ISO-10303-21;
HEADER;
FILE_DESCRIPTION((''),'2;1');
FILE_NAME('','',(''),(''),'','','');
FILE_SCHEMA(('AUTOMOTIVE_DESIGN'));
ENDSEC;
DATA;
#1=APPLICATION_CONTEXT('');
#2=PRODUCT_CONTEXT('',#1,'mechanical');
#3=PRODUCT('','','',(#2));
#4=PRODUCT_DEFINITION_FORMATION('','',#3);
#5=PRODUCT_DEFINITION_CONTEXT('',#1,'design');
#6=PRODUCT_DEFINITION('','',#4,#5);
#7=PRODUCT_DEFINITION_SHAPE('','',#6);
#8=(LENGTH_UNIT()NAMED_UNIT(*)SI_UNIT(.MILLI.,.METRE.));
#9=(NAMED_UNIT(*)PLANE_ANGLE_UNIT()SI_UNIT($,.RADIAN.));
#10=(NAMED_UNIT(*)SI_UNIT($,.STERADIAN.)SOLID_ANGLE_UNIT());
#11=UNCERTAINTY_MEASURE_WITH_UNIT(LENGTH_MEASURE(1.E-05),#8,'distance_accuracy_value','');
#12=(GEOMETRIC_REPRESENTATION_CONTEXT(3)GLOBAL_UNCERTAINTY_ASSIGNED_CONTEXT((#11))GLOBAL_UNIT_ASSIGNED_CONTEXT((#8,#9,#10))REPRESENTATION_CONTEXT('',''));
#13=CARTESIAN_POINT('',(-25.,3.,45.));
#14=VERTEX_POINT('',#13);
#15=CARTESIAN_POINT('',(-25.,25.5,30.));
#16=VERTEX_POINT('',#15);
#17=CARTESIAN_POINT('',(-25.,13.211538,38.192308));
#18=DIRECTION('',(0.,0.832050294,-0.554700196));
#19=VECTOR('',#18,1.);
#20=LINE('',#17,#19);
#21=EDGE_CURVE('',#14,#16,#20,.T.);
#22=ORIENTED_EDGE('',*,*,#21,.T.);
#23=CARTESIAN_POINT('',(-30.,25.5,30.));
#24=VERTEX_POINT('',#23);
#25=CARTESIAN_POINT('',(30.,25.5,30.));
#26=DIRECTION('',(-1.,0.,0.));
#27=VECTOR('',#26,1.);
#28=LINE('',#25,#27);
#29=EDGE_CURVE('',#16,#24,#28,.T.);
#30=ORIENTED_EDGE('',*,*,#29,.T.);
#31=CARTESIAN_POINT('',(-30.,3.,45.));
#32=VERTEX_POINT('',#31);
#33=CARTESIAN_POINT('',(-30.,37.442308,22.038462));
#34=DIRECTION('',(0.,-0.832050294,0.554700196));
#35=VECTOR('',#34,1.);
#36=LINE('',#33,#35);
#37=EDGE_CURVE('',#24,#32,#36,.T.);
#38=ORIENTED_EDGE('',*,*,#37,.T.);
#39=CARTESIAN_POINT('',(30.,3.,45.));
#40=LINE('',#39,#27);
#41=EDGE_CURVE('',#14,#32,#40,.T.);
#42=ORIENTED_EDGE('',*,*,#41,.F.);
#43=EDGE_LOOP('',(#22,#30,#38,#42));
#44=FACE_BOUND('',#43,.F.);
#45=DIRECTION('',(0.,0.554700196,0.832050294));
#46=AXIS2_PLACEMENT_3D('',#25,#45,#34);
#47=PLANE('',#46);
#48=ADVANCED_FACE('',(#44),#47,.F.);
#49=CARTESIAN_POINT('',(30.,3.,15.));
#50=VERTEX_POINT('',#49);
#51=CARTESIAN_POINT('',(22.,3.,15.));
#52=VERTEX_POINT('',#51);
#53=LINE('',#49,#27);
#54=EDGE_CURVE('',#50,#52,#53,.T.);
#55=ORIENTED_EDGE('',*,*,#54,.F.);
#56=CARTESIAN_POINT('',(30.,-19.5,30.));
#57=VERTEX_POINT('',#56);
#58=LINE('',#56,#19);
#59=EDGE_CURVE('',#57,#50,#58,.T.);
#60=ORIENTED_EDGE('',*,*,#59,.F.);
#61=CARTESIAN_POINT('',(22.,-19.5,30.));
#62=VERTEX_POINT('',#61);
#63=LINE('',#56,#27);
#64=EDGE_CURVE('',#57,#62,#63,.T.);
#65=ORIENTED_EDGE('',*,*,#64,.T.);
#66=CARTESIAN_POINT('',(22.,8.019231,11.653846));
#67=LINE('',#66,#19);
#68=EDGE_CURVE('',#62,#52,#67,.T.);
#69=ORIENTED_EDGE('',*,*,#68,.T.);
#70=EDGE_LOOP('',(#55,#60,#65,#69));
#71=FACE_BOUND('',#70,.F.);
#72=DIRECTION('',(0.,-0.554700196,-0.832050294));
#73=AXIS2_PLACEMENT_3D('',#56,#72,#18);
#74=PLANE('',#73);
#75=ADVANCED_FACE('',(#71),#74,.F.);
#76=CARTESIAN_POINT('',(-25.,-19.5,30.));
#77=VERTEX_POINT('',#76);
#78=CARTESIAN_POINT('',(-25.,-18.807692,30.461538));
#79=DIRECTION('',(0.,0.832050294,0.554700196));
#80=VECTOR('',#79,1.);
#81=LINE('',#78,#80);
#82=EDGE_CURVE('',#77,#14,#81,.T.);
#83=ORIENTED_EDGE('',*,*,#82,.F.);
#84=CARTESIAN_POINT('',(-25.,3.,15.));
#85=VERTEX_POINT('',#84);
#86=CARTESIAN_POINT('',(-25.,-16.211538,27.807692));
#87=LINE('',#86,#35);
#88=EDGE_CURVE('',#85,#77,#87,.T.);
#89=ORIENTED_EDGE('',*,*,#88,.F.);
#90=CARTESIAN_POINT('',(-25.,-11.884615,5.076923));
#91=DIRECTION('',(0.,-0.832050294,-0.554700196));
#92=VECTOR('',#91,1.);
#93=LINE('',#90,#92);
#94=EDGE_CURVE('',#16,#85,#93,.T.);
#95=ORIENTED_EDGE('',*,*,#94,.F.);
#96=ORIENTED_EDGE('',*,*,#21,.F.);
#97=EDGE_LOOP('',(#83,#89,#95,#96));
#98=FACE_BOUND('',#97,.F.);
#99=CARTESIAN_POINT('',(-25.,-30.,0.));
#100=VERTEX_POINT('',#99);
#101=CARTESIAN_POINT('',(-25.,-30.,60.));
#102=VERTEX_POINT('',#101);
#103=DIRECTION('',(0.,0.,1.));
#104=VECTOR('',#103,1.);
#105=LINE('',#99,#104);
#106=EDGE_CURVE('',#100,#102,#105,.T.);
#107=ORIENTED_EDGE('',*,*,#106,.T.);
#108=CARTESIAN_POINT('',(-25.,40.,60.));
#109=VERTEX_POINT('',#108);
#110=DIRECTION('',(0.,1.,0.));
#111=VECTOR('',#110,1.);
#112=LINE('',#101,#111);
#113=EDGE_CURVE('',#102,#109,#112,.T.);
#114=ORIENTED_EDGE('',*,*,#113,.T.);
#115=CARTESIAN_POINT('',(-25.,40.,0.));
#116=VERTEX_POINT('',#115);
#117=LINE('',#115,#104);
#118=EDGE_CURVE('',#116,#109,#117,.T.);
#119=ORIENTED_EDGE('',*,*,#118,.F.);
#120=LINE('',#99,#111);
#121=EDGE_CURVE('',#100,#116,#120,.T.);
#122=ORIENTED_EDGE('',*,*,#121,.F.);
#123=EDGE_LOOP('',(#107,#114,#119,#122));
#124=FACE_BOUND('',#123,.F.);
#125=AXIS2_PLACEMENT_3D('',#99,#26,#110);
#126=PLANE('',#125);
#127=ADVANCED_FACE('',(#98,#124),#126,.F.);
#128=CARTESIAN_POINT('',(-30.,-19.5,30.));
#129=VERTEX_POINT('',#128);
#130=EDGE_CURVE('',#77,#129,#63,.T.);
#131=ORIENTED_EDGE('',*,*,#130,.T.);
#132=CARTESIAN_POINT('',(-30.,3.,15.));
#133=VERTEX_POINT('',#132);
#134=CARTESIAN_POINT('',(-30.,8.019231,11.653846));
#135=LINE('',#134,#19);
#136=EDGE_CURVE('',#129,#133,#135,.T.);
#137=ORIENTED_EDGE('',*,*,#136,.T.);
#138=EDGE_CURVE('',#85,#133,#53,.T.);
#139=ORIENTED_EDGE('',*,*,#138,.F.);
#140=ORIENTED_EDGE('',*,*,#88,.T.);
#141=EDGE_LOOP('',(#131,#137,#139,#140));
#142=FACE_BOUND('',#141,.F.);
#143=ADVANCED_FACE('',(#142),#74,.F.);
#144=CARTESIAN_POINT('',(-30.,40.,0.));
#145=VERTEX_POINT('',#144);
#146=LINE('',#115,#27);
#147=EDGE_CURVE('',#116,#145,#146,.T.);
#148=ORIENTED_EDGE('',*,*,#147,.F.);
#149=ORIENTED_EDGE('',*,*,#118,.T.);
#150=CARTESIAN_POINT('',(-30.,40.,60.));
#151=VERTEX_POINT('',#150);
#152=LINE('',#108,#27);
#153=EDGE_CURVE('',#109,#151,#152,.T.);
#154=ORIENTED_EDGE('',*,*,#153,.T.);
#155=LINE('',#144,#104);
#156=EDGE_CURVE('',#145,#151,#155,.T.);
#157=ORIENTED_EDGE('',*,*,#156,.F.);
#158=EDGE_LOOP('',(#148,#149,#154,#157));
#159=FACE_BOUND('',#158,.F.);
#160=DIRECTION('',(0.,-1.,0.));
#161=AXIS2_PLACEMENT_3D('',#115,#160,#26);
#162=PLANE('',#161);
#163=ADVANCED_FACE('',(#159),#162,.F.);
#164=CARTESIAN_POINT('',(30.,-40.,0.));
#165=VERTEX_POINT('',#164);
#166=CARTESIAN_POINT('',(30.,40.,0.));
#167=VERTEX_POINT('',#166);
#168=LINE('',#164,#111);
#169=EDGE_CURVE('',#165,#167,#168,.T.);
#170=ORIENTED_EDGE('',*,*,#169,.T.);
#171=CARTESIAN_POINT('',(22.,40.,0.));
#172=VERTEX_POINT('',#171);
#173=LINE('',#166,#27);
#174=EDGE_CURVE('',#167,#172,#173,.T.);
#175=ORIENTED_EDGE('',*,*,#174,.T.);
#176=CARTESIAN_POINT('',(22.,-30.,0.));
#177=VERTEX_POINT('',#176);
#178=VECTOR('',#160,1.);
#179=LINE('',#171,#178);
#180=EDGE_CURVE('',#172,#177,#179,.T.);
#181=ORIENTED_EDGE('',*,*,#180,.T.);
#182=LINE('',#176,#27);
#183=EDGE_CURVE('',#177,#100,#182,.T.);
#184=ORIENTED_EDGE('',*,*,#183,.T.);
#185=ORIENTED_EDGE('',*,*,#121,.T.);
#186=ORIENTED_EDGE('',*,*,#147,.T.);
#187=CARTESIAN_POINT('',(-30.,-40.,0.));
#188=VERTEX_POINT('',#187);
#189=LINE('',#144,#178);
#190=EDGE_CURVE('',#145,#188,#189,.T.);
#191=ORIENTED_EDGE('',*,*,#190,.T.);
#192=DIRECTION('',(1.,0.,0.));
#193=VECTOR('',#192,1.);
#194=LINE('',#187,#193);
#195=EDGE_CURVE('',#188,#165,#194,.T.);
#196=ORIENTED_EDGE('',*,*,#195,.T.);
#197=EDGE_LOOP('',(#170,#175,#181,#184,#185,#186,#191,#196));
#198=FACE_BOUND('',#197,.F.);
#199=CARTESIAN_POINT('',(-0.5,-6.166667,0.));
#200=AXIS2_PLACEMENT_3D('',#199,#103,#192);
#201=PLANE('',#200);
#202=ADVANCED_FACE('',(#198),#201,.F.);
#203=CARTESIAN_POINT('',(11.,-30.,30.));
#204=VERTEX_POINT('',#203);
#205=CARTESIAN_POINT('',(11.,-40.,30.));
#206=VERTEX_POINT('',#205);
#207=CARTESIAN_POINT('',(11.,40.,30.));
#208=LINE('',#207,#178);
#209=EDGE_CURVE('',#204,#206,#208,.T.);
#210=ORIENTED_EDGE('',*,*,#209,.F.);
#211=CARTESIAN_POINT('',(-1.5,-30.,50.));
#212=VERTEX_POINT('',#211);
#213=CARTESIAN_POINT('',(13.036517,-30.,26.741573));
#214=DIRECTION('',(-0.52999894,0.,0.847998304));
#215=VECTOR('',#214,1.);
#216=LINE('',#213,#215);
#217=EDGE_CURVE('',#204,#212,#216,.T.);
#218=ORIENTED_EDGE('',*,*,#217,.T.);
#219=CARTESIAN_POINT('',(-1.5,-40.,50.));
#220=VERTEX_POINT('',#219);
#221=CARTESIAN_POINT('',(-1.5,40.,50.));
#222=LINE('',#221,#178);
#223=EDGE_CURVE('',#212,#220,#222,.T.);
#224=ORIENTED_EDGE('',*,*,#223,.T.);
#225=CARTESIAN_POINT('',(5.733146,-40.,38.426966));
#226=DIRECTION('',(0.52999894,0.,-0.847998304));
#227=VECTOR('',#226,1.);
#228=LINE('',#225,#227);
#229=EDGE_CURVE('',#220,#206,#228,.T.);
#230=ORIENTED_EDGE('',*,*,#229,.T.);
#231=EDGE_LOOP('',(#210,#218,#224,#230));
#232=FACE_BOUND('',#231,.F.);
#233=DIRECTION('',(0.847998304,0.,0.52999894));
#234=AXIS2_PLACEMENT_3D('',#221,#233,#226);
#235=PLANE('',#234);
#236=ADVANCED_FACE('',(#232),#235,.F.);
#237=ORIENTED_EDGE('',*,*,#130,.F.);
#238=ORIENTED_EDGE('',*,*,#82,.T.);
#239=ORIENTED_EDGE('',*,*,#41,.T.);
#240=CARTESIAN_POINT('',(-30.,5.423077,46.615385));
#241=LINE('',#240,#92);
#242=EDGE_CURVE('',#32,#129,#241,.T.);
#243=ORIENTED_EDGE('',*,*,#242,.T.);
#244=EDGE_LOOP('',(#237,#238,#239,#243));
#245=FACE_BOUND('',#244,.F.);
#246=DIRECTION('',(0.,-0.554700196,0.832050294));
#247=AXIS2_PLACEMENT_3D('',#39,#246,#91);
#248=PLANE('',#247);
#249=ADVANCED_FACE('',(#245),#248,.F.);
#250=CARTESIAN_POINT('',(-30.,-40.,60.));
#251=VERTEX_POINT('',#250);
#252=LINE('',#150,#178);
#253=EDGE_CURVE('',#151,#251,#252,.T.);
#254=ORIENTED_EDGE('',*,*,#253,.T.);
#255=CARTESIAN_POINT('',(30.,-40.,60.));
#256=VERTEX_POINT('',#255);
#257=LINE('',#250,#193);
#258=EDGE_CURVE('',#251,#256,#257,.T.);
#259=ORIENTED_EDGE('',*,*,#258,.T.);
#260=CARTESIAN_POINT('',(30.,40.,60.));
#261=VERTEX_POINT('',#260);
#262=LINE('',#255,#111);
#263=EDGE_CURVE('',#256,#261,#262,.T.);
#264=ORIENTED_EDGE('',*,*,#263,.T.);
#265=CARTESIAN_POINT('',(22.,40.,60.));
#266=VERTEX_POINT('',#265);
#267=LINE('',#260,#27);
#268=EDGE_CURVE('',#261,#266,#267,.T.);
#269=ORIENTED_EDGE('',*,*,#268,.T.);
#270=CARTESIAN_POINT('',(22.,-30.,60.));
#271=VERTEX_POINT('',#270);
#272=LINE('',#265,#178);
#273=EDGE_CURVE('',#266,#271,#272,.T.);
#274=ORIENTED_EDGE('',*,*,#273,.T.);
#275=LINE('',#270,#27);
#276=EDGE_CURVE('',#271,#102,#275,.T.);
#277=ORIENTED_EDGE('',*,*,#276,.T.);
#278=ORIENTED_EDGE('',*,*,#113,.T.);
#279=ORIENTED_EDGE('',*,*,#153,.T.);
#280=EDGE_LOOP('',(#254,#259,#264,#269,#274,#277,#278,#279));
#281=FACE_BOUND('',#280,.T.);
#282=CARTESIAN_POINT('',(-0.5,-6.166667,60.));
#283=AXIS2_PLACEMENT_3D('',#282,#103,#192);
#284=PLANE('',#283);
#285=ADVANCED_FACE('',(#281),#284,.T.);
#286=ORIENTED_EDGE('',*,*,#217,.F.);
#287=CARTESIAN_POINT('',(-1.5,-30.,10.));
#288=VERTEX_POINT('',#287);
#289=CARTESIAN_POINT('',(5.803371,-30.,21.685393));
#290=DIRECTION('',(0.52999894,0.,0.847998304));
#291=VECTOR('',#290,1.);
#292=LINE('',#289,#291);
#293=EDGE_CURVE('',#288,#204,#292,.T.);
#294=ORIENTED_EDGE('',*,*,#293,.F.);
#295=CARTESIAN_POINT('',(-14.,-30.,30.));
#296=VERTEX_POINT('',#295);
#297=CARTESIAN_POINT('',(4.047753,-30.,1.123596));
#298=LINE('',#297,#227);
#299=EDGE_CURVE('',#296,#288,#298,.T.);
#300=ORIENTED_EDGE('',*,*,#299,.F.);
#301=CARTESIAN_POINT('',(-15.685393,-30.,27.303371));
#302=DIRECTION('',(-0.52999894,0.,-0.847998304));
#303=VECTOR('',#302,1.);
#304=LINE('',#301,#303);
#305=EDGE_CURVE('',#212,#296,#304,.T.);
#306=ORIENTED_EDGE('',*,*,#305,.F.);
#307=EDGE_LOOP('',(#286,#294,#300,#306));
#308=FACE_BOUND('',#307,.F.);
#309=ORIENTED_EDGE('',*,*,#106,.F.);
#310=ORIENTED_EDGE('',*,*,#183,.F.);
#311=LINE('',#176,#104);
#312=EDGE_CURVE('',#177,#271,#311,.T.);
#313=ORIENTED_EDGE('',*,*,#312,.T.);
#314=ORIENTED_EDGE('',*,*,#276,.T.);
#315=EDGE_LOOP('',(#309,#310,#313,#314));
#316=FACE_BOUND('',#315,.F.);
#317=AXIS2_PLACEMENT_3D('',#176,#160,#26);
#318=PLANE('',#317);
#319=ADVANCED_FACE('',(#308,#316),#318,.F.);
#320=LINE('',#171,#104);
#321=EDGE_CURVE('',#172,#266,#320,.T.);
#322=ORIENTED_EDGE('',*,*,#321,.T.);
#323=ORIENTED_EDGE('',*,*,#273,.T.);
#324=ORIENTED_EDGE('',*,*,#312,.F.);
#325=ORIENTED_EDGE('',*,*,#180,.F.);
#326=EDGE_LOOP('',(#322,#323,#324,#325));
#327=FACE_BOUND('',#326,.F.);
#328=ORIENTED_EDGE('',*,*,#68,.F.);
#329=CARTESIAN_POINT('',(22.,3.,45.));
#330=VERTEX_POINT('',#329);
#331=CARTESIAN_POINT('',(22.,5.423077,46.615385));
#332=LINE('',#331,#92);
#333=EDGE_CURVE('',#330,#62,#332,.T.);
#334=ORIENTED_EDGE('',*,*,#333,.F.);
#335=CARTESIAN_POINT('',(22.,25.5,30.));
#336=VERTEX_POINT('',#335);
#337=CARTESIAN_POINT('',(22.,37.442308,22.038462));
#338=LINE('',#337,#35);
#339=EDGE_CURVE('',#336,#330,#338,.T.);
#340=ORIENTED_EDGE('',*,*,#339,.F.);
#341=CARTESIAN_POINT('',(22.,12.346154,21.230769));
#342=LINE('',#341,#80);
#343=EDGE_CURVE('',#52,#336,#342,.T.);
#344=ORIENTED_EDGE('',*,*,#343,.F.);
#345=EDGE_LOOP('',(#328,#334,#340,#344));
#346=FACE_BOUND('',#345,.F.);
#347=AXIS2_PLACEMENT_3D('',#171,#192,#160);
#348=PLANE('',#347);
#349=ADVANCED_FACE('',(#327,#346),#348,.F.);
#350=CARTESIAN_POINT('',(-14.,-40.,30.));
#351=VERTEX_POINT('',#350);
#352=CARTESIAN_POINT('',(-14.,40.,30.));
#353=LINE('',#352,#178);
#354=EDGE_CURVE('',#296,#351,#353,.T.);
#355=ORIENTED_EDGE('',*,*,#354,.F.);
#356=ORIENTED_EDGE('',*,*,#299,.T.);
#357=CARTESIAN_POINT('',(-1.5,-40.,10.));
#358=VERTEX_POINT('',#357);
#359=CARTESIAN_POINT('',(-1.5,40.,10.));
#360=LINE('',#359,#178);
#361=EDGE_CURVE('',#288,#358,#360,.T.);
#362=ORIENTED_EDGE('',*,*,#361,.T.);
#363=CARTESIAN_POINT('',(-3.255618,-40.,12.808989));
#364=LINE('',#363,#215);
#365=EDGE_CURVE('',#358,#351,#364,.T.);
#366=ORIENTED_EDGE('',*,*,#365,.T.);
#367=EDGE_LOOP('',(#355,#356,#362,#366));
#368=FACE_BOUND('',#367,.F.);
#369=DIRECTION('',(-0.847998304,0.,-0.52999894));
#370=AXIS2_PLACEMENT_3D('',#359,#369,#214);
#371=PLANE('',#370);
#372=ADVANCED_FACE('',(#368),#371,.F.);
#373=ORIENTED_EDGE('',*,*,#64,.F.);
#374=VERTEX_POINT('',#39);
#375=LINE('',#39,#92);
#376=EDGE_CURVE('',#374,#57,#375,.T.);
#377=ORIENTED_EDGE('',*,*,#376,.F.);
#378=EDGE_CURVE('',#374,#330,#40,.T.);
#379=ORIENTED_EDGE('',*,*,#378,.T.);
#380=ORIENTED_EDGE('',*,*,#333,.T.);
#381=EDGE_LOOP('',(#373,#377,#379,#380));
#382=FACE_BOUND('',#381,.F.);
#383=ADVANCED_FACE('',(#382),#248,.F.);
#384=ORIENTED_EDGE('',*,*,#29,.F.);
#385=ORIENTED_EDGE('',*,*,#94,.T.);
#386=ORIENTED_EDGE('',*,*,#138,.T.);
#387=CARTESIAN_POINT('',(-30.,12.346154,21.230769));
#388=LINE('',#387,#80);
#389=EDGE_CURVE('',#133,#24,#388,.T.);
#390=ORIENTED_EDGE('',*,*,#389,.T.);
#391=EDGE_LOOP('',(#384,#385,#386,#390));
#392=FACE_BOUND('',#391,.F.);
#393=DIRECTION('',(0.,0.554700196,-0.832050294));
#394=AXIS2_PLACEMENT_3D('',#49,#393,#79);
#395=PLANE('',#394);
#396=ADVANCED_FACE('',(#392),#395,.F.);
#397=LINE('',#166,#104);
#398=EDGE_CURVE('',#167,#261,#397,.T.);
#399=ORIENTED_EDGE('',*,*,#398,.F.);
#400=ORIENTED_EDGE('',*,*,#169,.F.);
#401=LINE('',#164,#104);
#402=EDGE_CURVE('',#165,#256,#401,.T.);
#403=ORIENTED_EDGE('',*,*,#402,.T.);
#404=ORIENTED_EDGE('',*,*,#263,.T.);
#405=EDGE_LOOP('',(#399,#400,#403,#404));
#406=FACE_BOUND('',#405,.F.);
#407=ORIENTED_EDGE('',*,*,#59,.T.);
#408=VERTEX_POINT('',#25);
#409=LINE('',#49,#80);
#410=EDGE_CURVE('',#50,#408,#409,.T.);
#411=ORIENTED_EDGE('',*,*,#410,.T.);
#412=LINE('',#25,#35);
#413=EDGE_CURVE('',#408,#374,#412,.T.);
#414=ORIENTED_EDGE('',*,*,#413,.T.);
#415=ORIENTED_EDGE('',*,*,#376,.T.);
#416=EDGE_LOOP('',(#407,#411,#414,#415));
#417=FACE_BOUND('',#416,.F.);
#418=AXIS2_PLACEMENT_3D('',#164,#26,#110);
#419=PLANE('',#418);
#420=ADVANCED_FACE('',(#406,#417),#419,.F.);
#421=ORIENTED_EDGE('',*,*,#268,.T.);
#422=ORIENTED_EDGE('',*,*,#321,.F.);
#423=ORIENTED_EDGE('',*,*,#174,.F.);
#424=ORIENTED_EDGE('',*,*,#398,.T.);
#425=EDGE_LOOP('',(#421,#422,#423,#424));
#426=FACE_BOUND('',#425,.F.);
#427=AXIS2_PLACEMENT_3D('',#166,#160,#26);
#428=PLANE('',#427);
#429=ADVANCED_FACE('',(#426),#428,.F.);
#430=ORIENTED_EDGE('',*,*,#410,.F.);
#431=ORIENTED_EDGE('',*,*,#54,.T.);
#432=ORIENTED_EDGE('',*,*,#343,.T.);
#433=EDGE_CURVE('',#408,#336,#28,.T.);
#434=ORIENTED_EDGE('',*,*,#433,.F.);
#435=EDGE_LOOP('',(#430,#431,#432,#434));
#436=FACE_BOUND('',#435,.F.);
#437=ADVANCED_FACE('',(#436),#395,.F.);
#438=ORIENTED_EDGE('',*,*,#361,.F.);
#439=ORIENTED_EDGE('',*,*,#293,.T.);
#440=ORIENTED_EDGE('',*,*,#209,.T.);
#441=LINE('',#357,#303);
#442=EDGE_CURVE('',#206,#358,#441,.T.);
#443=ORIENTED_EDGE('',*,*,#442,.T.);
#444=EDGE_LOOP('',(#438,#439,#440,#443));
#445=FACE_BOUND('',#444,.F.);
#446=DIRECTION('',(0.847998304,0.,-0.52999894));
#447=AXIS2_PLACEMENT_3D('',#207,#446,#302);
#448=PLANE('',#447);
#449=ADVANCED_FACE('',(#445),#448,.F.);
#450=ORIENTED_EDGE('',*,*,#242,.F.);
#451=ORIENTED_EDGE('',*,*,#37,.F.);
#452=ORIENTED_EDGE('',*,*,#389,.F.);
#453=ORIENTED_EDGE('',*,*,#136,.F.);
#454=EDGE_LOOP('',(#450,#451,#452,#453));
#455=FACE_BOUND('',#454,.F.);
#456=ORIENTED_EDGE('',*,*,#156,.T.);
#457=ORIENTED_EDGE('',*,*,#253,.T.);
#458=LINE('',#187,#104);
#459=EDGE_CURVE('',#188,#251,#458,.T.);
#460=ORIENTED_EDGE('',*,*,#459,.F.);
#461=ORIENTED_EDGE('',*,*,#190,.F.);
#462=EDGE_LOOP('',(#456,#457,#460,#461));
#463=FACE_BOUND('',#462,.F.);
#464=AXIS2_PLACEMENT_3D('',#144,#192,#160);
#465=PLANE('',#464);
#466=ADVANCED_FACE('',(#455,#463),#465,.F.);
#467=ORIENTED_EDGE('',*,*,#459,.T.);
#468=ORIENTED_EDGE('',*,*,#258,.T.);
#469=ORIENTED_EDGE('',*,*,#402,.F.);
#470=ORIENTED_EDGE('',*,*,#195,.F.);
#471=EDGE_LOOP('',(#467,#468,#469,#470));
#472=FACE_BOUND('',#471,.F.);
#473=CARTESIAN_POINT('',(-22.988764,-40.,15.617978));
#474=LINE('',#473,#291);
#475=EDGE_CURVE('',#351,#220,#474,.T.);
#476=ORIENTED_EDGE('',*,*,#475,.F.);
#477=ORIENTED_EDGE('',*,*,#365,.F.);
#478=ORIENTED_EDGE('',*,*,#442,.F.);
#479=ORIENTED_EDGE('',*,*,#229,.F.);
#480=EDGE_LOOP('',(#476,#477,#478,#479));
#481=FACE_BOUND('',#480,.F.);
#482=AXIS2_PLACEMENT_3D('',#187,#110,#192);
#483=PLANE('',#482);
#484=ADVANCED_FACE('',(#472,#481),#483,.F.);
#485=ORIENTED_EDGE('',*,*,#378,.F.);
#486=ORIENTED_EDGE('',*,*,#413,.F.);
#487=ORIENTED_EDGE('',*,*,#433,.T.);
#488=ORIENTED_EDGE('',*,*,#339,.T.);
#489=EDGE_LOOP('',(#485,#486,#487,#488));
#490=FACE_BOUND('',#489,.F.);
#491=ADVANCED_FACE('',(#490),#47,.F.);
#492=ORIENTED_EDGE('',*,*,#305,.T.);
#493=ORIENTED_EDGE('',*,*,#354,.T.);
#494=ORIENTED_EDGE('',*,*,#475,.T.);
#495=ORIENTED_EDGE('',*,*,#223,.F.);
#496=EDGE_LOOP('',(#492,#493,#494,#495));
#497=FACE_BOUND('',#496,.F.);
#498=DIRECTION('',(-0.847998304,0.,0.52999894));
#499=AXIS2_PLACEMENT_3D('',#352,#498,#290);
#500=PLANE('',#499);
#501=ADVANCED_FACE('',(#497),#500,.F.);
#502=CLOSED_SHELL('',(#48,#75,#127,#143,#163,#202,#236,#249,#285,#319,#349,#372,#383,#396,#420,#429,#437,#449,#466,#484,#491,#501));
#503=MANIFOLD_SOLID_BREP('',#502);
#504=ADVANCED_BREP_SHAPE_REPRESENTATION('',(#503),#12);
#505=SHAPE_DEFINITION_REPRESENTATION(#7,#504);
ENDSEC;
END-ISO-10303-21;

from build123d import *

# Parameters (mm, degrees)
F1_DEPTH = 60
F3_DEPTH = 60.001
F5_DEPTH = 80.001


with BuildPart() as f1:
    # F0 (on Top) → F1 (new body)
    with BuildSketch(Plane.XY):
        Polygon((-30, 40), (-30, -40), (30, -40), (30, 40), (22, 40), (22, 36), (22, -30), (-25, -30), (-25, 36), (-25, 40), align=None)
    extrude(amount=F1_DEPTH)

    # F2 (on face) → F3 (cut, through all)
    with BuildSketch(Plane.YZ.offset(30)):
        Polygon((3, 45), (-19.5, 30), (3, 15), (25.5, 30), align=None)
    extrude(amount=-F3_DEPTH, mode=Mode.SUBTRACT)

    # F4 (on face) → F5 (cut, through all)
    with BuildSketch(Plane(origin=(0, 40, 0), x_dir=(-1, 0, 0), z_dir=(0, 1, 0))):
        Polygon((14, 30), (1.5, 50), (-11, 30), (1.5, 10), align=None)
    extrude(amount=-F5_DEPTH, mode=Mode.SUBTRACT)


solid = f1.part
